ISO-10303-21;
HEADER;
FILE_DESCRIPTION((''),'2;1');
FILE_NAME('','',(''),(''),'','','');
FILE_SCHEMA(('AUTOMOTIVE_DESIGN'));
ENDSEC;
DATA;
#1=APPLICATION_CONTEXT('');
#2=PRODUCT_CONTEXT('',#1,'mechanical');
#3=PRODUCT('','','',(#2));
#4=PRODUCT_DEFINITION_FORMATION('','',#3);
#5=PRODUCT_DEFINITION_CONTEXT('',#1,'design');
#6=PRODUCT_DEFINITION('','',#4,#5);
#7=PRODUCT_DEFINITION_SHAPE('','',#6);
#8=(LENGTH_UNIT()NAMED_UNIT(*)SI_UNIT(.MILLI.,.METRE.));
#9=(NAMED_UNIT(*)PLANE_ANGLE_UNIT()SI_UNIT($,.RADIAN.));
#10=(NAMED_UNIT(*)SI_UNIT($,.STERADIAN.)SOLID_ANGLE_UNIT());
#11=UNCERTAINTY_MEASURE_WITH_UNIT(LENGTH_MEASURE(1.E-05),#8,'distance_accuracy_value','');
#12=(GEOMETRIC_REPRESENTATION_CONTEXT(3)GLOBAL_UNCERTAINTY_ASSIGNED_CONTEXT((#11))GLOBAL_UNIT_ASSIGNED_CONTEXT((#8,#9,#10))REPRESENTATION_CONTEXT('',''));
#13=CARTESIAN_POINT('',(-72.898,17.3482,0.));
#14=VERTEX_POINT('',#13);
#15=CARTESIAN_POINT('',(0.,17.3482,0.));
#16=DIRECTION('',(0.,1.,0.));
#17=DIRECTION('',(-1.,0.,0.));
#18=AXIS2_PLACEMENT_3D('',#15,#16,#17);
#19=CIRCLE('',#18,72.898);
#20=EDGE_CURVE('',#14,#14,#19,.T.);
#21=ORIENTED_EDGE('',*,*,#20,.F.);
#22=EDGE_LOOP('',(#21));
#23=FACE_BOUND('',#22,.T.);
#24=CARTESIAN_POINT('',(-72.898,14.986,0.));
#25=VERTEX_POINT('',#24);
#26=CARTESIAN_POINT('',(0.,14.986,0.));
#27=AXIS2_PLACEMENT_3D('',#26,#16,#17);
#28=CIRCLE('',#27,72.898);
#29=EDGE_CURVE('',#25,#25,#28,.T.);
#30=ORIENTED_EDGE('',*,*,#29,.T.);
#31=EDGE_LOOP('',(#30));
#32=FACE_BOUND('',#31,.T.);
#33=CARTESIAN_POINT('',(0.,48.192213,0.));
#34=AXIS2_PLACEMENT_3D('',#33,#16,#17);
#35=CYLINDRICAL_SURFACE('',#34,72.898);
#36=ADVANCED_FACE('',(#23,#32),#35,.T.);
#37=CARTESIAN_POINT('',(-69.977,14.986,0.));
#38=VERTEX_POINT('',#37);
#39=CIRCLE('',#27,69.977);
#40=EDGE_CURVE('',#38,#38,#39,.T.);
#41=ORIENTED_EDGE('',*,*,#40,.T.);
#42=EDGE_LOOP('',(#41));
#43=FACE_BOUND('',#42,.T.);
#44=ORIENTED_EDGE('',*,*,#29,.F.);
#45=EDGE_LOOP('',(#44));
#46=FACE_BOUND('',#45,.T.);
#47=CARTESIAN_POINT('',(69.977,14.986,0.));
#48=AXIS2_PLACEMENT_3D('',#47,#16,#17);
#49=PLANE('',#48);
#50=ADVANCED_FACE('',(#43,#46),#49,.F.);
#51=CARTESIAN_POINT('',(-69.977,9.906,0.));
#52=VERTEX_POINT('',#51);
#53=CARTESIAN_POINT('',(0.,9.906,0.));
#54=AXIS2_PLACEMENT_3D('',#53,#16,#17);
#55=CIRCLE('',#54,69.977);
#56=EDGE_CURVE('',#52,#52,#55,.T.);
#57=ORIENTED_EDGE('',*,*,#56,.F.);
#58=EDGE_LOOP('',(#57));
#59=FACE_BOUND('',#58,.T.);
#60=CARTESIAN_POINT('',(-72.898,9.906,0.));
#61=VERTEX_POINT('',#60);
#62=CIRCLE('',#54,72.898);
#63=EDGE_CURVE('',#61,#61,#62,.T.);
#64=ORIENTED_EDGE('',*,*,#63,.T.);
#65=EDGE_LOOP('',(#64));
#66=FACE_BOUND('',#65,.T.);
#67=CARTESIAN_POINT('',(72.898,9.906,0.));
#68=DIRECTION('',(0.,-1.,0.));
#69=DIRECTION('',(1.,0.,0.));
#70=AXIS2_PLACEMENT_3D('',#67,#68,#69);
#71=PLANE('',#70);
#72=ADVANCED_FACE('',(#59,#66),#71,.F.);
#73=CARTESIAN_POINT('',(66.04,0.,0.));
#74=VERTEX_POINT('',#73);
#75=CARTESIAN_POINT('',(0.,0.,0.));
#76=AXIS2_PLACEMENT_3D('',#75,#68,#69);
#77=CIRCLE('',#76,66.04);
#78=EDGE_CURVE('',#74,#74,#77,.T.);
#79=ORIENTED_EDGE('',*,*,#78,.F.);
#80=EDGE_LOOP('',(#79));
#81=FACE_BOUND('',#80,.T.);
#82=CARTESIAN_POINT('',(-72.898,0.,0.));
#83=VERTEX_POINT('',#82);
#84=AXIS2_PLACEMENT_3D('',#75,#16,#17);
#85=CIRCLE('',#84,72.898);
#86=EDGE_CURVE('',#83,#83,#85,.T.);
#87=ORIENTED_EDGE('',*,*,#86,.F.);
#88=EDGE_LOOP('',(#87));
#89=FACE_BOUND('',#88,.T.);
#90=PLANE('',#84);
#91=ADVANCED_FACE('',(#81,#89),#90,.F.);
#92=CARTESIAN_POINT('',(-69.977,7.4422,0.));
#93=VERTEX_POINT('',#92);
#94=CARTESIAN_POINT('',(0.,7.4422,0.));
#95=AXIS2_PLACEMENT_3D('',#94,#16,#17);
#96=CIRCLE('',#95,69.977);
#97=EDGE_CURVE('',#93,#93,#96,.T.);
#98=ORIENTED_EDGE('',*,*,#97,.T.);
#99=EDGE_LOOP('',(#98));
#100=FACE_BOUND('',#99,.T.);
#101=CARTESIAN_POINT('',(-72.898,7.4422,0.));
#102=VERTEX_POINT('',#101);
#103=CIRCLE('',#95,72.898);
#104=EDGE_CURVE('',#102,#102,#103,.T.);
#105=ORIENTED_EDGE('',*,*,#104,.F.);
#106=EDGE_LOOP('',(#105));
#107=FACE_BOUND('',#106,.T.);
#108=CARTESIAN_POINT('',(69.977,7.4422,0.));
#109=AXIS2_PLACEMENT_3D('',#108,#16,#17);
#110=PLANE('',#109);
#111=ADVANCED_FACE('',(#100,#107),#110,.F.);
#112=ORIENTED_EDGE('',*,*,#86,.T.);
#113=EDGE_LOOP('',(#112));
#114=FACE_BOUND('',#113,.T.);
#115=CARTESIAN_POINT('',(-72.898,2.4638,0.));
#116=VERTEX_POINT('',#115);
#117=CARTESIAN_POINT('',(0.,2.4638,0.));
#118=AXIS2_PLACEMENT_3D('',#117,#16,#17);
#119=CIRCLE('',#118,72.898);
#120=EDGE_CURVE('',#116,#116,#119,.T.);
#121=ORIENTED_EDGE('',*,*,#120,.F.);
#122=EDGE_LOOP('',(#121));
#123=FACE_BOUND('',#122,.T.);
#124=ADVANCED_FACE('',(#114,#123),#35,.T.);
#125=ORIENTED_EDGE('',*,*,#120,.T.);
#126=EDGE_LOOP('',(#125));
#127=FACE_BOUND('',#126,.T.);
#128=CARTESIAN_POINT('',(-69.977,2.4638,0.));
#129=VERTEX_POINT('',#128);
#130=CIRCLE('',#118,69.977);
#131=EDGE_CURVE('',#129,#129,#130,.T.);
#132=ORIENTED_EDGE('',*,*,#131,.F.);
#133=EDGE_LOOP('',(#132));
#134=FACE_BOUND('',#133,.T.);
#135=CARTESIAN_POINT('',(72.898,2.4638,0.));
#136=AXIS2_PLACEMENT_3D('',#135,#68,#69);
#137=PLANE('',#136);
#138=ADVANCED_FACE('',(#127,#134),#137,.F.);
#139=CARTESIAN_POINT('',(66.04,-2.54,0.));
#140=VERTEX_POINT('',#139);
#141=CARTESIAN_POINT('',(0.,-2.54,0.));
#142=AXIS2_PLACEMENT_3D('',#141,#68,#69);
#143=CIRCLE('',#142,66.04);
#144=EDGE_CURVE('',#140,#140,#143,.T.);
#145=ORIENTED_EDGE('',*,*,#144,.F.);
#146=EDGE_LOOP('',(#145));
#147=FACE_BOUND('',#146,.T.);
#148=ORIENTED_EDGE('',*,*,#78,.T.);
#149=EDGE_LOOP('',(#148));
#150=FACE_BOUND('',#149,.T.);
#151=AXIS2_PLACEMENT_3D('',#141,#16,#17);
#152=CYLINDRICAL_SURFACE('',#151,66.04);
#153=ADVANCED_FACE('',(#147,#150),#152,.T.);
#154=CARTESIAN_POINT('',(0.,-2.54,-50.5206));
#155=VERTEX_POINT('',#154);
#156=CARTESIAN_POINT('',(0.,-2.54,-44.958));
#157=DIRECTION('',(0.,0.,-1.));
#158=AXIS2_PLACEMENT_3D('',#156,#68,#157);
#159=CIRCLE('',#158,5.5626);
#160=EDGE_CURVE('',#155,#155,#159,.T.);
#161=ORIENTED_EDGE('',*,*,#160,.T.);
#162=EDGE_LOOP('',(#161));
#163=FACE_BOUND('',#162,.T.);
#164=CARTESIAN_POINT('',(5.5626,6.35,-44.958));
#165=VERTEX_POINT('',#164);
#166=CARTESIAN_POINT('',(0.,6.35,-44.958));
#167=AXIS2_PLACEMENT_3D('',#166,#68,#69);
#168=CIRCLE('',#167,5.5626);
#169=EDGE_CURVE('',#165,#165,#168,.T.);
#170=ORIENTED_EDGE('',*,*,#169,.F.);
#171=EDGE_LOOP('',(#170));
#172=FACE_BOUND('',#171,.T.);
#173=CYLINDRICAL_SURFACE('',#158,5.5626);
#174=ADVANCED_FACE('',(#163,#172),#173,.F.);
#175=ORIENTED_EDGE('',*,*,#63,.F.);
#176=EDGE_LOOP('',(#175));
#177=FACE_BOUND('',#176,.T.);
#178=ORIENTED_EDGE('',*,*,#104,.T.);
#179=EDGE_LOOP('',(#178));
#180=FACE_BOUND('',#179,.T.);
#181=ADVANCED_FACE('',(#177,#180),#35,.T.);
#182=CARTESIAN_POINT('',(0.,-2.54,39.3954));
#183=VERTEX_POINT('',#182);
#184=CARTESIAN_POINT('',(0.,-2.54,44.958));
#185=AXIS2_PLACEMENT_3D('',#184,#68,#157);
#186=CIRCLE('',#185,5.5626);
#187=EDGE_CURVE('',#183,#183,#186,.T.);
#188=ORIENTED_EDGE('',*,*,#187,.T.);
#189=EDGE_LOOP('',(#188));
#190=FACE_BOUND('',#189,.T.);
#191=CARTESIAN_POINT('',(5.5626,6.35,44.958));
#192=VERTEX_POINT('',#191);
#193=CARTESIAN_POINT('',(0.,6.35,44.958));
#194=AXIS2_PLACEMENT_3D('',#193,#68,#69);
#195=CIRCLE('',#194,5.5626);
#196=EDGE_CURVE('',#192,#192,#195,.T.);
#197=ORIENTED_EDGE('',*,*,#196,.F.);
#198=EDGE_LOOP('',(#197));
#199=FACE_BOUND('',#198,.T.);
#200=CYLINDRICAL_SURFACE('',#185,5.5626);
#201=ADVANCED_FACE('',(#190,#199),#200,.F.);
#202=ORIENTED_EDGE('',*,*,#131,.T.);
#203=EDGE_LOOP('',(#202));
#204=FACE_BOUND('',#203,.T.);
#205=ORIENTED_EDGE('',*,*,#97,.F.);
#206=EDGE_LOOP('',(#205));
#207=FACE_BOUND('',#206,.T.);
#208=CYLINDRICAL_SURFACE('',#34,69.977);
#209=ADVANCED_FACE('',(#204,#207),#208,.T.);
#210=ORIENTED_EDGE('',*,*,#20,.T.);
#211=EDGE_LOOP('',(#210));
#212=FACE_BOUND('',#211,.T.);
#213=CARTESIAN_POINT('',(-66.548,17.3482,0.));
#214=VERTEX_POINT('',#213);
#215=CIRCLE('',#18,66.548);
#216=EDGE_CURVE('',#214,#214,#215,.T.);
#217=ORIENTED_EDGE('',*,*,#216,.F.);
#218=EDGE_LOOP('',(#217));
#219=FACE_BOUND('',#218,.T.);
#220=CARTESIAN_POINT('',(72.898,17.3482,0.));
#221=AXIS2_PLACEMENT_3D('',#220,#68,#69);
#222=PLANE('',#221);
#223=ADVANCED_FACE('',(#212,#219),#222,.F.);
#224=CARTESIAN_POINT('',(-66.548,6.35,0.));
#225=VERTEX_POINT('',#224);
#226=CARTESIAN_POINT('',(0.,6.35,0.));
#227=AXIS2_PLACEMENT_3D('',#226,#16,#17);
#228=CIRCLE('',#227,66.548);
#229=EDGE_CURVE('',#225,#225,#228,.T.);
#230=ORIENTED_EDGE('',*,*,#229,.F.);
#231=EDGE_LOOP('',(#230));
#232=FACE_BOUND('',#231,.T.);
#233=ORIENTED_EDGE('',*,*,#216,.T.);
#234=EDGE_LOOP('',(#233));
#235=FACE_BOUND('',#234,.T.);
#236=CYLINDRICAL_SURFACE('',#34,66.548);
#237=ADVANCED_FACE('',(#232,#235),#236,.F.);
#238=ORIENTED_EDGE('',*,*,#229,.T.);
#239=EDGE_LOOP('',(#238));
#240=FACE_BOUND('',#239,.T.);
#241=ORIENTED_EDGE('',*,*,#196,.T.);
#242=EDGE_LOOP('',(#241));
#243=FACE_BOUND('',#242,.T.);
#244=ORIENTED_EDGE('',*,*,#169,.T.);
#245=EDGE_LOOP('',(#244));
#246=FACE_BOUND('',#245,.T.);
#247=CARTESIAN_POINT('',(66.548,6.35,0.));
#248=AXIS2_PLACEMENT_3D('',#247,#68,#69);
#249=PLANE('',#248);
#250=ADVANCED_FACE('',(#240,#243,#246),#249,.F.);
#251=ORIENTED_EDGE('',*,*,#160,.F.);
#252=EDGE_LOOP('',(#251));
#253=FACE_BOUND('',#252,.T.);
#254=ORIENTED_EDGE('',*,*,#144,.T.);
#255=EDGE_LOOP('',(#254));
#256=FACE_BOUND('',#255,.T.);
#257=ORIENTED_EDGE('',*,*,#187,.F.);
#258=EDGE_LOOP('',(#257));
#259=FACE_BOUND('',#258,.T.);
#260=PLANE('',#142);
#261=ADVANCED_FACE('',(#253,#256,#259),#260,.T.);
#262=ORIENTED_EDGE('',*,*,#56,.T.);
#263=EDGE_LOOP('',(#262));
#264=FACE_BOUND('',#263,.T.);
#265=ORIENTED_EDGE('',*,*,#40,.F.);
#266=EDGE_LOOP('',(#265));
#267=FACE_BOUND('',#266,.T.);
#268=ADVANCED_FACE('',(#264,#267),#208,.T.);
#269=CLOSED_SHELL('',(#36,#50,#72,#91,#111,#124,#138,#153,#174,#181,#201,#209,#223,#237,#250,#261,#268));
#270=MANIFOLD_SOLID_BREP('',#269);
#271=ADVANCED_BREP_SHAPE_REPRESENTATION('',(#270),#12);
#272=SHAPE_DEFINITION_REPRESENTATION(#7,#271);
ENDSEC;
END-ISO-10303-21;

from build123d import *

# Parameters (mm, degrees)
SKETCH6_R                                = 66.04
BOSS_EXTRUDE1_DEPTH                      = 2.54
PIPE_TAP_DRILL_FOR_1_4_TAP_RELIEF_VALV_D = 11.1252
PIPE_TAP_DRILL_FOR_1_4_TAP_VENT_VALVE_D  = 11.1252


with BuildPart() as part:
    # Sketch1 → Revolve1 (revolve)
    with BuildSketch(Plane.XY, mode=Mode.PRIVATE) as revolve1_sk:
        Polygon((0, 0), (72.898, 0), (72.898, 2.4638), (69.977, 2.4638), (69.977, 7.4422), (72.898, 7.4422), (72.898, 9.906), (69.977, 9.906), (69.977, 14.986), (72.898, 14.986), (72.898, 17.3482), (66.548, 17.3482), (66.548, 6.35), (0, 6.35), align=None)
    revolve(revolve1_sk.sketch.rotate(Axis((0, 48.192213231, 0), (0, -1, 0)), 180), axis=Axis((0, 48.192213231, 0), (0, -1, 0)))

    # Sketch6 → Boss-Extrude1 (add)
    with BuildSketch(Plane.XZ):
        Circle(SKETCH6_R)
    extrude(amount=BOSS_EXTRUDE1_DEPTH)

    # Pipe Tap Drill for 1/4 Tap - Relief Valve (through all)
    with Locations(Plane(origin=(0, -2.54, 0), x_dir=(-1, 0, 0), z_dir=(0, -1, 0))):
        with Locations((0, 44.958)):
            Hole(PIPE_TAP_DRILL_FOR_1_4_TAP_RELIEF_VALV_D / 2)

    # Pipe Tap Drill for 1/4 Tap - Vent Valve (through all)
    with Locations(Plane(origin=(0, -2.54, 0), x_dir=(-1, 0, 0), z_dir=(0, -1, 0))):
        with Locations((0, -44.958)):
            Hole(PIPE_TAP_DRILL_FOR_1_4_TAP_VENT_VALVE_D / 2)


solid = part.part
